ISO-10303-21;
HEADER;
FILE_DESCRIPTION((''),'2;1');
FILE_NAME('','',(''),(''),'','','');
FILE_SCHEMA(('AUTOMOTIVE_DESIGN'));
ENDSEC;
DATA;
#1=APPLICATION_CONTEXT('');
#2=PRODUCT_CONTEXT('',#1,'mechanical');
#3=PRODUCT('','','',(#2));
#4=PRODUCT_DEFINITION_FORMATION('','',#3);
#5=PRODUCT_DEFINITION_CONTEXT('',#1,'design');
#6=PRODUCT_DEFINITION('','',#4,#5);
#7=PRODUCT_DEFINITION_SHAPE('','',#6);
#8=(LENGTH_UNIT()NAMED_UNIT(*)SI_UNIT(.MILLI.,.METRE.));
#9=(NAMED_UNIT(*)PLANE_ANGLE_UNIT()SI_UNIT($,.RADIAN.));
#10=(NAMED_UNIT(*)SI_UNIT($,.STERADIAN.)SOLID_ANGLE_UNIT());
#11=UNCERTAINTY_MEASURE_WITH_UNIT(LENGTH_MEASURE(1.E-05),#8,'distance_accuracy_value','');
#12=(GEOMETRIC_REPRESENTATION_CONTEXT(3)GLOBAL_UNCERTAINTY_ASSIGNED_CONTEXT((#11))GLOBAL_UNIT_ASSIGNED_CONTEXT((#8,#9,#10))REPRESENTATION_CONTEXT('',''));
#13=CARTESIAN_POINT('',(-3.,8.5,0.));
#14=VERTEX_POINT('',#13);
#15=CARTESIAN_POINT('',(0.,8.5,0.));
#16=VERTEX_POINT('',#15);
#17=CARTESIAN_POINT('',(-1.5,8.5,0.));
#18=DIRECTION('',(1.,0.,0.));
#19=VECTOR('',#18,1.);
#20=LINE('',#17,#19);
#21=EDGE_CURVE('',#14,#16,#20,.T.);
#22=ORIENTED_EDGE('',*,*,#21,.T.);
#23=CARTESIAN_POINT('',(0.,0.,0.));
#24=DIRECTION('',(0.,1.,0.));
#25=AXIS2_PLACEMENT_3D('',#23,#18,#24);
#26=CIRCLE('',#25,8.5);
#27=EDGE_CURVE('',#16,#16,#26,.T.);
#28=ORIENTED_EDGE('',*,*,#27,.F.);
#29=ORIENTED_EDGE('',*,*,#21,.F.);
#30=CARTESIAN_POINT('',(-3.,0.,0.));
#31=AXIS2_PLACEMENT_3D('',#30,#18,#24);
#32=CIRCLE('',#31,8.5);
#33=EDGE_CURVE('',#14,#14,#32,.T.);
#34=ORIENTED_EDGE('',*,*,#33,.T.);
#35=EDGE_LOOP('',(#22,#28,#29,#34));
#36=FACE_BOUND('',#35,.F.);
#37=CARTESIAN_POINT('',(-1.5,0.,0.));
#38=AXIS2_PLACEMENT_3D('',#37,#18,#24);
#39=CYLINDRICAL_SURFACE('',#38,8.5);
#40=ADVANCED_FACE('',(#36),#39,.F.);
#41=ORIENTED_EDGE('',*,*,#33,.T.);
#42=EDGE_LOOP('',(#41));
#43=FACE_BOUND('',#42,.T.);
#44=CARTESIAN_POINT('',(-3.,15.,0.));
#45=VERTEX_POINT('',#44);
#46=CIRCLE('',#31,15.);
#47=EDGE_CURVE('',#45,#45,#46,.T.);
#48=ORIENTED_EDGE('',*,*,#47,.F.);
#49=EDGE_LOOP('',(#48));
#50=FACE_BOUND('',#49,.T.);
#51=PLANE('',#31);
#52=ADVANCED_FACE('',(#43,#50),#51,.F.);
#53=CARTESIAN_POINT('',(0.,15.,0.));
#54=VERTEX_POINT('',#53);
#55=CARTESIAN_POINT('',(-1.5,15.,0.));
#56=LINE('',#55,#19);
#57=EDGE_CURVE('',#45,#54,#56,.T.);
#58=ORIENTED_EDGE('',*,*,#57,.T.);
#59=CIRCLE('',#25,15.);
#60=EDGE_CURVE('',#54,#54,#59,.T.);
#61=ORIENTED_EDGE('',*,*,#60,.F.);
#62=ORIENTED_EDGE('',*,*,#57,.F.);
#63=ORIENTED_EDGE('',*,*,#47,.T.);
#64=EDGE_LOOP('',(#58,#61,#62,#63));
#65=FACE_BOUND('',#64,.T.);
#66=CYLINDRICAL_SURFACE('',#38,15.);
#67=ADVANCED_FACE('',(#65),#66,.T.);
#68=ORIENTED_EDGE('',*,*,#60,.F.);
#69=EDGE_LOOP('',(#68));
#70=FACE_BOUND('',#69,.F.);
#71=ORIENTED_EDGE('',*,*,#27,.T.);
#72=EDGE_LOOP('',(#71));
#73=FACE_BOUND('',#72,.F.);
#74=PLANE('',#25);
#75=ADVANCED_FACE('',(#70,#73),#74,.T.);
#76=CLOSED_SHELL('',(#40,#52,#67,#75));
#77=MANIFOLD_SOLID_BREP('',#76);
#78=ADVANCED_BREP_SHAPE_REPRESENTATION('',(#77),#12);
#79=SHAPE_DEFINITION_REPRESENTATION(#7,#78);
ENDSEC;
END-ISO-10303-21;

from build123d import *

# Parameters (mm, degrees)
SKETCH1_W = 3
SKETCH1_H = 6.5


with BuildPart() as part:
    # Sketch1 → Base-Revolve (revolve)
    with BuildSketch(Plane.XY):
        with Locations((-1.5, 11.75)):
            Rectangle(SKETCH1_W, SKETCH1_H)
    revolve(axis=Axis((-34.925, 0, 0), (1, 0, 0)))


solid = part.part
